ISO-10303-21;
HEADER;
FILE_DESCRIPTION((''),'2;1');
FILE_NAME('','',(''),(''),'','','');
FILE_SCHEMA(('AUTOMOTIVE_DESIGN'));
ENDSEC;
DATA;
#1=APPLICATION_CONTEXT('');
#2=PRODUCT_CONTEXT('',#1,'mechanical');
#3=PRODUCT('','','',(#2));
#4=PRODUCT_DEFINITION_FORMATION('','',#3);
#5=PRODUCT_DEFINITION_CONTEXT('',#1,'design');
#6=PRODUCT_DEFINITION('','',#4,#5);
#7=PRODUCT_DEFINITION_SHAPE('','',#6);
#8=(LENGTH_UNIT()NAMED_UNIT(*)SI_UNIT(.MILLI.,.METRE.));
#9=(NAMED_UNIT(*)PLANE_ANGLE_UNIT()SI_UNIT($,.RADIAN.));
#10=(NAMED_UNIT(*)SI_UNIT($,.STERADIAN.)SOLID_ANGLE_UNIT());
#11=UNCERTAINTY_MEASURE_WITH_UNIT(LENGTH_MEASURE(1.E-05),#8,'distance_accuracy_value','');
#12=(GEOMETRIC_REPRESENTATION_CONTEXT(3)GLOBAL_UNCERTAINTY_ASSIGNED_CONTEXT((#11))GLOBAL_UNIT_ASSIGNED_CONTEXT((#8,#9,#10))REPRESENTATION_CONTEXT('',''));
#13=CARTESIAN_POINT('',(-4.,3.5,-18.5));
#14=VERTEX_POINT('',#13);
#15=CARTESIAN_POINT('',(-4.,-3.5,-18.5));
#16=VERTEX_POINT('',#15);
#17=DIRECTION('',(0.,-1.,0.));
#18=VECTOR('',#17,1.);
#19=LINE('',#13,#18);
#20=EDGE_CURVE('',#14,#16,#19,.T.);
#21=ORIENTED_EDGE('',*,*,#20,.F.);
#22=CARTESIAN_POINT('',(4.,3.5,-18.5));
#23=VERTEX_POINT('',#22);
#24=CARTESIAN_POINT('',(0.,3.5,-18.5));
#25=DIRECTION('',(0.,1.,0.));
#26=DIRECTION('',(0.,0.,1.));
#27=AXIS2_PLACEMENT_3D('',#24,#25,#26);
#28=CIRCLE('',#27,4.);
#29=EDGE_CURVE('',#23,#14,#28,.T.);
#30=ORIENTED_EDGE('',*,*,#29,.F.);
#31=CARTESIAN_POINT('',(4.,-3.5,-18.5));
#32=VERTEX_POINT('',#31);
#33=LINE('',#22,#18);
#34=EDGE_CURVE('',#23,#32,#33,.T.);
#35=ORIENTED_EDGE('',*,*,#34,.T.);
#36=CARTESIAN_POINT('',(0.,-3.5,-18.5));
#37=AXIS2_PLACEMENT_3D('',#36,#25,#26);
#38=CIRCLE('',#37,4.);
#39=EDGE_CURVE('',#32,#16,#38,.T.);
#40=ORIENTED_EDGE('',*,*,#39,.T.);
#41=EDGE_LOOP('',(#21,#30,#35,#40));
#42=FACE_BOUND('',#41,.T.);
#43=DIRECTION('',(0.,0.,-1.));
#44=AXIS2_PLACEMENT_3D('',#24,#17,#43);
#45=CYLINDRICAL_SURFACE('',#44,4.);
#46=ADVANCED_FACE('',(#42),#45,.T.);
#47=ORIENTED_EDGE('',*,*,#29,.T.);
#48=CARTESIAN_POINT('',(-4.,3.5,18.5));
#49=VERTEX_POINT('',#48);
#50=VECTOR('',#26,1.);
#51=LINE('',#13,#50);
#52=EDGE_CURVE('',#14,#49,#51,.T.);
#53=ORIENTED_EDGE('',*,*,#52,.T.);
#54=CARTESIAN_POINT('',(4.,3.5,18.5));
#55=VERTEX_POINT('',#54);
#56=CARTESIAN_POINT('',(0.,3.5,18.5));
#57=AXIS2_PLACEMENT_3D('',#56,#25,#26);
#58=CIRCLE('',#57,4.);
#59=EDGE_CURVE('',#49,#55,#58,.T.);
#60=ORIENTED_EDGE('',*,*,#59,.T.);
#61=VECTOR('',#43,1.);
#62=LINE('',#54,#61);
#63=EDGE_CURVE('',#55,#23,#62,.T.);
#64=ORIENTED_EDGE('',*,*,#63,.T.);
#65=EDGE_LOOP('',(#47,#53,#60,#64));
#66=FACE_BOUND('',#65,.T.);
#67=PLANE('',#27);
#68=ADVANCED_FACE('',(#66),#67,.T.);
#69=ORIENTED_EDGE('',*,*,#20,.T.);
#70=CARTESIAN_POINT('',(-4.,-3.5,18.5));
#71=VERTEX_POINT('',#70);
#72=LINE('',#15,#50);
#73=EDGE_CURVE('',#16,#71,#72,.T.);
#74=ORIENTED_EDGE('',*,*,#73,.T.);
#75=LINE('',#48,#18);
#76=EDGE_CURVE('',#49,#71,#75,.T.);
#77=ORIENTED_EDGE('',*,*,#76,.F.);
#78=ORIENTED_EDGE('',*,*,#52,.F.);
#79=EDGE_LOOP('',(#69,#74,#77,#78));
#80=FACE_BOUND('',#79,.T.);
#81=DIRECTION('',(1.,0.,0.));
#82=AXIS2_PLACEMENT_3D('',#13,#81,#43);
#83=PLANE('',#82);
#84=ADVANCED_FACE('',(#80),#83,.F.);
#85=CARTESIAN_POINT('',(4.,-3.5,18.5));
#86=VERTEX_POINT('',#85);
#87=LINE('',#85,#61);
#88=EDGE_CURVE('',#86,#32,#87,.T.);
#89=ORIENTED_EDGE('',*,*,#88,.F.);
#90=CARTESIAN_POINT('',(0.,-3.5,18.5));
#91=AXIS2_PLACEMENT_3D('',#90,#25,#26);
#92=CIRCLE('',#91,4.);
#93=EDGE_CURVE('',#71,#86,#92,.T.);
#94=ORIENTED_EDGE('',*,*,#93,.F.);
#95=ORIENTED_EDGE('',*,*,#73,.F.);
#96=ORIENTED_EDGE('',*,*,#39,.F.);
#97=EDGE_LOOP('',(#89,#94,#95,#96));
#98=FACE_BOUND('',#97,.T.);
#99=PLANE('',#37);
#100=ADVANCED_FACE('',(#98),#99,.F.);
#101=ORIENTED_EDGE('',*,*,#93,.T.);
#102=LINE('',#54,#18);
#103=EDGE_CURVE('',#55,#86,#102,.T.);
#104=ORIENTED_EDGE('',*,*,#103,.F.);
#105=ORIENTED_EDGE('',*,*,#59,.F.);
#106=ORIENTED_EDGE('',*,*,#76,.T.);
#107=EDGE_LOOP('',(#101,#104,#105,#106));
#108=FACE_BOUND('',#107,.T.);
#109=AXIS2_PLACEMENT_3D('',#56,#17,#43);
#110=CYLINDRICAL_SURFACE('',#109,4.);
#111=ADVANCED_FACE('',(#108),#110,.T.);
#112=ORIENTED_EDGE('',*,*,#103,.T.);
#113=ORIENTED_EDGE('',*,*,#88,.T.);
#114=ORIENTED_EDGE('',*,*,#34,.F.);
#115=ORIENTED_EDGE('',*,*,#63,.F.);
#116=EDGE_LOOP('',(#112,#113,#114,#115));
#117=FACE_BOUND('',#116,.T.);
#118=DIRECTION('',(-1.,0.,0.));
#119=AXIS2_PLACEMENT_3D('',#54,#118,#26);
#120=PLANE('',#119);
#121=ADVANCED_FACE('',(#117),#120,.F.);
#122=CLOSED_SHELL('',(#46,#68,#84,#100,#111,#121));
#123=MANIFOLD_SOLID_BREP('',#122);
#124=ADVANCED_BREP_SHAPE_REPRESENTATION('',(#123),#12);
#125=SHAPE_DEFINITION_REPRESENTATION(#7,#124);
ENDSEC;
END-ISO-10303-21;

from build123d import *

# Parameters (mm, degrees)
VYSUNOUT1_DEPTH = 3.5


with BuildPart() as part:
    # Skica1 → Vysunout1 (new, symmetric)
    with BuildSketch(Plane(origin=(0, 0, 0), x_dir=(1, 0, 0), z_dir=(0, 1, 0))):
        with BuildLine():
            Line((-4, 18.5), (-4, -18.5))
            ThreePointArc((-4, -18.5), (0, -22.5), (4, -18.5))
            Line((4, -18.5), (4, 18.5))
            ThreePointArc((4, 18.5), (0, 22.5), (-4, 18.5))
        make_face()
    extrude(amount=VYSUNOUT1_DEPTH, both=True)


solid = part.part
